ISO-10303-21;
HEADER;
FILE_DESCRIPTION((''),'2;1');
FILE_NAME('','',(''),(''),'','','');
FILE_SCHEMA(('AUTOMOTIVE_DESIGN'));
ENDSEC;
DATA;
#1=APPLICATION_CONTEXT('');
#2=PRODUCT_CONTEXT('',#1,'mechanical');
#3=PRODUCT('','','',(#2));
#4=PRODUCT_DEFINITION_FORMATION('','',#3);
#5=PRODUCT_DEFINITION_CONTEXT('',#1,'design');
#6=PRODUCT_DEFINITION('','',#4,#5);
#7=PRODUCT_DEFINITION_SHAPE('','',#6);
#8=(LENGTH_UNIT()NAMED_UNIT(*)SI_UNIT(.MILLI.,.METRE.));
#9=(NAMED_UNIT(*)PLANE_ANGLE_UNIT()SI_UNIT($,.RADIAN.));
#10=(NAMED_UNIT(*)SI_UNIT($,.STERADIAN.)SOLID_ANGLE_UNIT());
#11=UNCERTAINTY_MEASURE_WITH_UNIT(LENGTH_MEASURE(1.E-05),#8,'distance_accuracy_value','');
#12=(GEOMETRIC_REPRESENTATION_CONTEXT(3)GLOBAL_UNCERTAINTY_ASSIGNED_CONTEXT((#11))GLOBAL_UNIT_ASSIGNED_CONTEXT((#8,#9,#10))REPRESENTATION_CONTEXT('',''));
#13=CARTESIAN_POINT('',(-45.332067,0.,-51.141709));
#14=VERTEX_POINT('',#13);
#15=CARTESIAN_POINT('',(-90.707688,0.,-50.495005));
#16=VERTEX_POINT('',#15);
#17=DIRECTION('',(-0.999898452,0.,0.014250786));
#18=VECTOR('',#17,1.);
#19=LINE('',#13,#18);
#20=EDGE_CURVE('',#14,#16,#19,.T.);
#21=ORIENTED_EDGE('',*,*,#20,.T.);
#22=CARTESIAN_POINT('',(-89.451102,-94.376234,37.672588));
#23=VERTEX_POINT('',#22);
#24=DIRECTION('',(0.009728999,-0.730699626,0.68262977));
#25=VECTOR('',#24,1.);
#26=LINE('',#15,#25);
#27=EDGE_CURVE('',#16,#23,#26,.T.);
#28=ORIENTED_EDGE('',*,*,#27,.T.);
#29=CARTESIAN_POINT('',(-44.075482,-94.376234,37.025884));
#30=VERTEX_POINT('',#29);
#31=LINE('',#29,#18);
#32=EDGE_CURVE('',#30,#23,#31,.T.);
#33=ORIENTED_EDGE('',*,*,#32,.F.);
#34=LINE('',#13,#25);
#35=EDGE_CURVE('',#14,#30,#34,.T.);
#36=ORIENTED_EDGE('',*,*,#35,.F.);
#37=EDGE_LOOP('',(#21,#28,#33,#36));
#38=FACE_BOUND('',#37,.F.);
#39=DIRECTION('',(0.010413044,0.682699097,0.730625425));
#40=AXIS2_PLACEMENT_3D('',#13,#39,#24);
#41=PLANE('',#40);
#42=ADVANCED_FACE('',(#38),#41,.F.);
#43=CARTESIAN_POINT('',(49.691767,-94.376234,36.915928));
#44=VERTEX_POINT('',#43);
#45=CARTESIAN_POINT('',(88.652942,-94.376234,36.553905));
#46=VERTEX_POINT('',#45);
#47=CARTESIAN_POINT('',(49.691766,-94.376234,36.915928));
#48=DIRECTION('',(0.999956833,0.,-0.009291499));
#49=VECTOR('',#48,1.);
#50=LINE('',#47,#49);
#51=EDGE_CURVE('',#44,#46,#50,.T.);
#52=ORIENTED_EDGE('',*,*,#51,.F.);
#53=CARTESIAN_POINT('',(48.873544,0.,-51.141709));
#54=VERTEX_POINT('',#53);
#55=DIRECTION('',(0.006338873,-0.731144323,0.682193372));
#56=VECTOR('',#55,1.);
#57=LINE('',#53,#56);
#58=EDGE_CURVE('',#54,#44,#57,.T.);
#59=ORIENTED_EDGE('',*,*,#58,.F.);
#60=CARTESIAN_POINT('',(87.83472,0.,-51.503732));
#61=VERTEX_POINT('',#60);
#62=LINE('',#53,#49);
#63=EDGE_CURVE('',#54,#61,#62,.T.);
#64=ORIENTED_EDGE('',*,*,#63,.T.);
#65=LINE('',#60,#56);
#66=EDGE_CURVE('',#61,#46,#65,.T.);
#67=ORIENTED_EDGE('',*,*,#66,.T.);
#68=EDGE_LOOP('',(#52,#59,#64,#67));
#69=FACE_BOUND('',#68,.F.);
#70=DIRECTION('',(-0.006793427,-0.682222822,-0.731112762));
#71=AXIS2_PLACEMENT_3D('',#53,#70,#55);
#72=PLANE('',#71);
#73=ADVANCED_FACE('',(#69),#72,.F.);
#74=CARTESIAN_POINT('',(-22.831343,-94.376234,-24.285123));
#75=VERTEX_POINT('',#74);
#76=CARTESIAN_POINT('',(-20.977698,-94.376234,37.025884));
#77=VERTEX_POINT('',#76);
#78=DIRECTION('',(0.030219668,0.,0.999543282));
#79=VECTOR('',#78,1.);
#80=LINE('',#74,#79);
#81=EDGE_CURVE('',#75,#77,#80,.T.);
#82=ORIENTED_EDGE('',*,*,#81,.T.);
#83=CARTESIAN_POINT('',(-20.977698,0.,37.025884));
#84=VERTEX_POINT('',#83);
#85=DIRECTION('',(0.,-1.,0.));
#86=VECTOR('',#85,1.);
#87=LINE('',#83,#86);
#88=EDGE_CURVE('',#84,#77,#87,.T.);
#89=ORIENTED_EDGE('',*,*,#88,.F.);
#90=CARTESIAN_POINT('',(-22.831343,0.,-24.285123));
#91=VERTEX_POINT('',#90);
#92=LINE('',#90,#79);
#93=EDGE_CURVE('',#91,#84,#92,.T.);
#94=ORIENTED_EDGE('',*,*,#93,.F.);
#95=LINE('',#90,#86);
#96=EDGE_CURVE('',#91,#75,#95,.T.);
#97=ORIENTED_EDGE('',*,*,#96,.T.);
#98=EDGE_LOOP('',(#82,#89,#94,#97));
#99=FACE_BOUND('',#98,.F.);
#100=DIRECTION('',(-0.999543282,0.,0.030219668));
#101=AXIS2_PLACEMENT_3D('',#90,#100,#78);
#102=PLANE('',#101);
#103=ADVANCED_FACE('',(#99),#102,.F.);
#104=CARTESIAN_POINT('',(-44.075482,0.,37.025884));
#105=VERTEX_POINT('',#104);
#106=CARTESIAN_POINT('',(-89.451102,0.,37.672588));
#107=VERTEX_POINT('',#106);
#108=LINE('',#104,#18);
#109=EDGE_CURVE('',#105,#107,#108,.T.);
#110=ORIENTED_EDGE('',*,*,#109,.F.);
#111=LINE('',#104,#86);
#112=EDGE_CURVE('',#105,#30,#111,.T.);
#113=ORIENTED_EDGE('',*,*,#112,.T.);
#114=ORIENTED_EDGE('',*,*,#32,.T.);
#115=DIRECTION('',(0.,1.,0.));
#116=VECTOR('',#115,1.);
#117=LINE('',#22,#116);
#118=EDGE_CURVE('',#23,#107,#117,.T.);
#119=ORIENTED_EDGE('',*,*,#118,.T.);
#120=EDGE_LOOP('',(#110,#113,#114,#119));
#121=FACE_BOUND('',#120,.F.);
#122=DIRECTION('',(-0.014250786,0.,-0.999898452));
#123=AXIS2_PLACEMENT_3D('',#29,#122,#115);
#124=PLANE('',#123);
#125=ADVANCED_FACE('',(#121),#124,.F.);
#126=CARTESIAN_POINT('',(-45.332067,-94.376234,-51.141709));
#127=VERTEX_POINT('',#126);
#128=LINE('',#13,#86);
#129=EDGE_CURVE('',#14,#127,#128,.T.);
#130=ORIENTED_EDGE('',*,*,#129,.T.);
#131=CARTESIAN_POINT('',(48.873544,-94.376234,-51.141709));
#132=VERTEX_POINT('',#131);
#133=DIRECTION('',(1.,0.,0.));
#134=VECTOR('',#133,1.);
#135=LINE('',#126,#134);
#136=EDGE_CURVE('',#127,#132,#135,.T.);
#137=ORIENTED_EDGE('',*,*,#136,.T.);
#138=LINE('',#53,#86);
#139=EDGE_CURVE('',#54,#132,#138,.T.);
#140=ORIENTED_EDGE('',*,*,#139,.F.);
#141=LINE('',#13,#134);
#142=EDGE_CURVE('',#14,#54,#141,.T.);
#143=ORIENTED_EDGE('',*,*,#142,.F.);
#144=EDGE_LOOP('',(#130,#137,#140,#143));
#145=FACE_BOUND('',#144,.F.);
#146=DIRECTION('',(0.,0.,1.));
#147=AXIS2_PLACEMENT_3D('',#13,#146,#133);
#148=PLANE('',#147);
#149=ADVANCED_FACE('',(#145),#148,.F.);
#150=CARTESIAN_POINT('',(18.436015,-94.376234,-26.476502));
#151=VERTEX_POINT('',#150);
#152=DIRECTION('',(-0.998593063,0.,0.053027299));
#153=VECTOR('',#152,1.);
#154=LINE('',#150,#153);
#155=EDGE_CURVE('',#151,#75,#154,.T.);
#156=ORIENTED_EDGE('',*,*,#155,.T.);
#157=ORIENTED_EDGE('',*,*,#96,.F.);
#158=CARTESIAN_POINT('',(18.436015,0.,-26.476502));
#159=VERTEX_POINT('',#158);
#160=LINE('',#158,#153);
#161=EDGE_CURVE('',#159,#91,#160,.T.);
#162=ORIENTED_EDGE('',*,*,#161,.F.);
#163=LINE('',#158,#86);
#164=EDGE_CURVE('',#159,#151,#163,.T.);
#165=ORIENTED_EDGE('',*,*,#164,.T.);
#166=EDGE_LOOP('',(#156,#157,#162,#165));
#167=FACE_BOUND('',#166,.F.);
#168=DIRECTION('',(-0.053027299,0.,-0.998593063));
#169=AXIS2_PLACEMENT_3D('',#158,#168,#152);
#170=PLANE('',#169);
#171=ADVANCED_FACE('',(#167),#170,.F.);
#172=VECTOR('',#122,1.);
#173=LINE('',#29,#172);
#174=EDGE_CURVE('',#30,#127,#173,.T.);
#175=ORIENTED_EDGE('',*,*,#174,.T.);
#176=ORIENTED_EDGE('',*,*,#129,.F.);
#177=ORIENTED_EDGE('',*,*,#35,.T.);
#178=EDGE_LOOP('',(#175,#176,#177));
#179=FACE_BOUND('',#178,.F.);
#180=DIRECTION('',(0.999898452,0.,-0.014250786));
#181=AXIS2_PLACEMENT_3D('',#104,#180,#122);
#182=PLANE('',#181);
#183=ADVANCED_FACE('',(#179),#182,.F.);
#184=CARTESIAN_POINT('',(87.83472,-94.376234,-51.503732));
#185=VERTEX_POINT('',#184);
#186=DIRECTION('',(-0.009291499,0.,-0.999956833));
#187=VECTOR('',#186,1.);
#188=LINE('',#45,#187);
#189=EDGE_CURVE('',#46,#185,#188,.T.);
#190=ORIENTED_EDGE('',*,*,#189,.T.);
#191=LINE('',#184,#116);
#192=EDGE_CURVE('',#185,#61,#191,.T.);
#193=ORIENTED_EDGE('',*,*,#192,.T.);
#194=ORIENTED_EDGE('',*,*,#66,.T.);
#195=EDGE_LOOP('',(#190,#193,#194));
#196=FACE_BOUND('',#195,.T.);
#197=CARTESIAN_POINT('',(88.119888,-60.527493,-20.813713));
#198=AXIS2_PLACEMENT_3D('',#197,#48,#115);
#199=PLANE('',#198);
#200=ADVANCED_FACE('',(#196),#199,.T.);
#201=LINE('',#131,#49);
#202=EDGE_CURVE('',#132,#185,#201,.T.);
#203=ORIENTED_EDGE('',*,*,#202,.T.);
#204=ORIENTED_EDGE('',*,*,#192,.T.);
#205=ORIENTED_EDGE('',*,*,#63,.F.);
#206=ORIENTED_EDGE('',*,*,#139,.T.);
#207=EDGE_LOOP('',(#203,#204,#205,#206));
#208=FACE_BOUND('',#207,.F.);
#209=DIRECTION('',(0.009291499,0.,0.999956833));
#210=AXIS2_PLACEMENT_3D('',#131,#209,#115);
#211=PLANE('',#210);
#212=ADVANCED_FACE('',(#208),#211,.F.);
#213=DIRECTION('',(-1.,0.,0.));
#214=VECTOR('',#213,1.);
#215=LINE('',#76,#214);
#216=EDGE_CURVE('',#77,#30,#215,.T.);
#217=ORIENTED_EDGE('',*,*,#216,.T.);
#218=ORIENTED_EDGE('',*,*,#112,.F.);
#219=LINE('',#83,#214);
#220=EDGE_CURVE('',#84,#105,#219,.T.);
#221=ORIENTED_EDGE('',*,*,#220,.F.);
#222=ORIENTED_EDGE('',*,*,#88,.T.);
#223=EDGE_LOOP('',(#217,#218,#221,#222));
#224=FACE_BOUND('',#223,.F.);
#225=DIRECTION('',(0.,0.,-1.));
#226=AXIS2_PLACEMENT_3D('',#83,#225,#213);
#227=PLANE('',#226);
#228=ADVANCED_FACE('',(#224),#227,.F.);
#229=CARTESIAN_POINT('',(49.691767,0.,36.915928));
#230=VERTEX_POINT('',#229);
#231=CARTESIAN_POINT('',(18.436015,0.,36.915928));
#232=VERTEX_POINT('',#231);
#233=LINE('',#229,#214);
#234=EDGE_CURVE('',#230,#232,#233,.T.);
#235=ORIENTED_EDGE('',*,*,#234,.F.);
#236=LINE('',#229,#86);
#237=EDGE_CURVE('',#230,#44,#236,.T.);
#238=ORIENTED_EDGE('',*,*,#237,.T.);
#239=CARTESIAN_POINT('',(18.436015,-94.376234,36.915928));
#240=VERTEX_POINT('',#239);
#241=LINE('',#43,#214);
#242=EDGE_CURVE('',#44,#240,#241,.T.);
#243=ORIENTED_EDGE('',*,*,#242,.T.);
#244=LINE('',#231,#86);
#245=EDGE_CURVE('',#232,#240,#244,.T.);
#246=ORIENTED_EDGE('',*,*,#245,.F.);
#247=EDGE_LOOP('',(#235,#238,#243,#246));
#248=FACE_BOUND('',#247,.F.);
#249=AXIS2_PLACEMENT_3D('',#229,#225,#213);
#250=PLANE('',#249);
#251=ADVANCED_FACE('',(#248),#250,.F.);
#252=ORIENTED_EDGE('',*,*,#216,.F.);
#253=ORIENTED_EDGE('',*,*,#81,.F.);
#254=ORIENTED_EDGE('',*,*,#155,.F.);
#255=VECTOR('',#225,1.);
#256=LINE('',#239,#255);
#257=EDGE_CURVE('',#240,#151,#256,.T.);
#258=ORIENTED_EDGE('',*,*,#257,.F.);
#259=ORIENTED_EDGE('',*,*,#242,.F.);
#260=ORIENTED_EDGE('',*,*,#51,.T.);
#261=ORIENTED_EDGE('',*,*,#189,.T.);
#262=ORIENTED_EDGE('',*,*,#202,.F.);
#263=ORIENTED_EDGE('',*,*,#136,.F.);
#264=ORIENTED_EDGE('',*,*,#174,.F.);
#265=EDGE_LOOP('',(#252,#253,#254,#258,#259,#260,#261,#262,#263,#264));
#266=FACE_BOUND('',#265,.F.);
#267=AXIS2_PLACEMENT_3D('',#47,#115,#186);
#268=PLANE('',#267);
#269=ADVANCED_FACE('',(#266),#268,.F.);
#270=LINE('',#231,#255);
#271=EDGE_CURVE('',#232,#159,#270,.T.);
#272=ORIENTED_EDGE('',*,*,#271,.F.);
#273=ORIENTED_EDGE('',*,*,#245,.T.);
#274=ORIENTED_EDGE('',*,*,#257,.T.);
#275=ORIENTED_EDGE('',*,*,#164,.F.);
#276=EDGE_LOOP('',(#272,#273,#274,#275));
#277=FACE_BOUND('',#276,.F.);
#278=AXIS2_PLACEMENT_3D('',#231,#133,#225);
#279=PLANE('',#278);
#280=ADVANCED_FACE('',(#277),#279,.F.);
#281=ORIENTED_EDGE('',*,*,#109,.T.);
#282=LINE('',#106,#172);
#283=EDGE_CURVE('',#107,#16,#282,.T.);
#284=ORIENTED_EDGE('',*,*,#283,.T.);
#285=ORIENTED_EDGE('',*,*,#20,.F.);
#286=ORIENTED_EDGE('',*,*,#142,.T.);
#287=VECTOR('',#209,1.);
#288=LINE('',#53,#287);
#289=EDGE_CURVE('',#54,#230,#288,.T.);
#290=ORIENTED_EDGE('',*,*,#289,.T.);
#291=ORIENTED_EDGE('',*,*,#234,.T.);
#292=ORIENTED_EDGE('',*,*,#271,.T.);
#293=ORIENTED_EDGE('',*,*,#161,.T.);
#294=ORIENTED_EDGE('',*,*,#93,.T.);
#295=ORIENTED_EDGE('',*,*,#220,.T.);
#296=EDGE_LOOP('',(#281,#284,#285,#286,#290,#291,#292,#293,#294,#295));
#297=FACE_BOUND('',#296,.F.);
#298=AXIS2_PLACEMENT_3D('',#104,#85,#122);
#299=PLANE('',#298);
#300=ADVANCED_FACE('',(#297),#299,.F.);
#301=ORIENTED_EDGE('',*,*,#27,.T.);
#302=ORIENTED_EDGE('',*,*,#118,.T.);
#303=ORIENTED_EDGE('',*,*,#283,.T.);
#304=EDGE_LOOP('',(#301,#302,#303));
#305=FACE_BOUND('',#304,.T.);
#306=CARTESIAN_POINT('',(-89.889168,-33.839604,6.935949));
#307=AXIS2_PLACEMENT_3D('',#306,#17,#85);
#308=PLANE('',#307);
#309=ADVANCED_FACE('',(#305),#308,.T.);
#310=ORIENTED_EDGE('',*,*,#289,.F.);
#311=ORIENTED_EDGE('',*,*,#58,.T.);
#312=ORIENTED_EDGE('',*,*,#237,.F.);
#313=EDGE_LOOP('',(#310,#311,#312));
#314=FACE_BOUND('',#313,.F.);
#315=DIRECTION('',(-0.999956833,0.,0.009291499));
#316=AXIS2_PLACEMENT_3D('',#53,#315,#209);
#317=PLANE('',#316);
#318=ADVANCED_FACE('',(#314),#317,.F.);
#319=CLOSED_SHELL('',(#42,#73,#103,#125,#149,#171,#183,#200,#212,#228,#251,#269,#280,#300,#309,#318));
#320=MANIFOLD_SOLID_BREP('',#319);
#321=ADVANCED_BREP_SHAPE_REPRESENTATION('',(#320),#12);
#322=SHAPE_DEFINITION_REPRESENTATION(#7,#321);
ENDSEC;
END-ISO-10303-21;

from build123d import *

# Parameters (mm, degrees)
F1_DEPTH = 94.3762343377
F3_DEPTH = 45.3802291304
F5_DEPTH = 38.9628577977


with BuildPart() as f1:
    # F0 (on Front) → F1 (new body)
    with BuildSketch(Plane.XZ):
        Polygon((-20.9776982665, 37.0258837938), (-44.0754815936, 37.0258837938), (-45.3320667148, -51.1417090893), (48.8735437393, -51.1417090893), (49.6917665005, 36.9159281254), (18.4360146523, 36.9159281254), (18.4360146523, -26.4765024185), (-22.8313431144, -24.2851227522), align=None)
    extrude(amount=F1_DEPTH)

    # F2 (on face) → F3 (join)
    with BuildSketch(Plane(origin=(-44.5941249017, 0, 0.635565881), x_dir=(0, -1, 0), z_dir=(-0.9998984524, 0, 0.0142507862))):
        Polygon((0, -51.7825333627), (94.3762343377, 36.394013638), (0, 36.394013638), align=None)
    extrude(amount=F3_DEPTH)

    # F4 (on face) → F5 (join)
    with BuildSketch(Plane(origin=(49.3444870134, 0, -0.45850404), x_dir=(0, 1, 0), z_dir=(0.9999568331, 0, -0.0092914989))):
        Polygon((0, -50.685392981), (-94.3762343377, 37.3760455736), (-94.3762343377, -50.685392981), align=None)
    extrude(amount=F5_DEPTH)


solid = f1.part
